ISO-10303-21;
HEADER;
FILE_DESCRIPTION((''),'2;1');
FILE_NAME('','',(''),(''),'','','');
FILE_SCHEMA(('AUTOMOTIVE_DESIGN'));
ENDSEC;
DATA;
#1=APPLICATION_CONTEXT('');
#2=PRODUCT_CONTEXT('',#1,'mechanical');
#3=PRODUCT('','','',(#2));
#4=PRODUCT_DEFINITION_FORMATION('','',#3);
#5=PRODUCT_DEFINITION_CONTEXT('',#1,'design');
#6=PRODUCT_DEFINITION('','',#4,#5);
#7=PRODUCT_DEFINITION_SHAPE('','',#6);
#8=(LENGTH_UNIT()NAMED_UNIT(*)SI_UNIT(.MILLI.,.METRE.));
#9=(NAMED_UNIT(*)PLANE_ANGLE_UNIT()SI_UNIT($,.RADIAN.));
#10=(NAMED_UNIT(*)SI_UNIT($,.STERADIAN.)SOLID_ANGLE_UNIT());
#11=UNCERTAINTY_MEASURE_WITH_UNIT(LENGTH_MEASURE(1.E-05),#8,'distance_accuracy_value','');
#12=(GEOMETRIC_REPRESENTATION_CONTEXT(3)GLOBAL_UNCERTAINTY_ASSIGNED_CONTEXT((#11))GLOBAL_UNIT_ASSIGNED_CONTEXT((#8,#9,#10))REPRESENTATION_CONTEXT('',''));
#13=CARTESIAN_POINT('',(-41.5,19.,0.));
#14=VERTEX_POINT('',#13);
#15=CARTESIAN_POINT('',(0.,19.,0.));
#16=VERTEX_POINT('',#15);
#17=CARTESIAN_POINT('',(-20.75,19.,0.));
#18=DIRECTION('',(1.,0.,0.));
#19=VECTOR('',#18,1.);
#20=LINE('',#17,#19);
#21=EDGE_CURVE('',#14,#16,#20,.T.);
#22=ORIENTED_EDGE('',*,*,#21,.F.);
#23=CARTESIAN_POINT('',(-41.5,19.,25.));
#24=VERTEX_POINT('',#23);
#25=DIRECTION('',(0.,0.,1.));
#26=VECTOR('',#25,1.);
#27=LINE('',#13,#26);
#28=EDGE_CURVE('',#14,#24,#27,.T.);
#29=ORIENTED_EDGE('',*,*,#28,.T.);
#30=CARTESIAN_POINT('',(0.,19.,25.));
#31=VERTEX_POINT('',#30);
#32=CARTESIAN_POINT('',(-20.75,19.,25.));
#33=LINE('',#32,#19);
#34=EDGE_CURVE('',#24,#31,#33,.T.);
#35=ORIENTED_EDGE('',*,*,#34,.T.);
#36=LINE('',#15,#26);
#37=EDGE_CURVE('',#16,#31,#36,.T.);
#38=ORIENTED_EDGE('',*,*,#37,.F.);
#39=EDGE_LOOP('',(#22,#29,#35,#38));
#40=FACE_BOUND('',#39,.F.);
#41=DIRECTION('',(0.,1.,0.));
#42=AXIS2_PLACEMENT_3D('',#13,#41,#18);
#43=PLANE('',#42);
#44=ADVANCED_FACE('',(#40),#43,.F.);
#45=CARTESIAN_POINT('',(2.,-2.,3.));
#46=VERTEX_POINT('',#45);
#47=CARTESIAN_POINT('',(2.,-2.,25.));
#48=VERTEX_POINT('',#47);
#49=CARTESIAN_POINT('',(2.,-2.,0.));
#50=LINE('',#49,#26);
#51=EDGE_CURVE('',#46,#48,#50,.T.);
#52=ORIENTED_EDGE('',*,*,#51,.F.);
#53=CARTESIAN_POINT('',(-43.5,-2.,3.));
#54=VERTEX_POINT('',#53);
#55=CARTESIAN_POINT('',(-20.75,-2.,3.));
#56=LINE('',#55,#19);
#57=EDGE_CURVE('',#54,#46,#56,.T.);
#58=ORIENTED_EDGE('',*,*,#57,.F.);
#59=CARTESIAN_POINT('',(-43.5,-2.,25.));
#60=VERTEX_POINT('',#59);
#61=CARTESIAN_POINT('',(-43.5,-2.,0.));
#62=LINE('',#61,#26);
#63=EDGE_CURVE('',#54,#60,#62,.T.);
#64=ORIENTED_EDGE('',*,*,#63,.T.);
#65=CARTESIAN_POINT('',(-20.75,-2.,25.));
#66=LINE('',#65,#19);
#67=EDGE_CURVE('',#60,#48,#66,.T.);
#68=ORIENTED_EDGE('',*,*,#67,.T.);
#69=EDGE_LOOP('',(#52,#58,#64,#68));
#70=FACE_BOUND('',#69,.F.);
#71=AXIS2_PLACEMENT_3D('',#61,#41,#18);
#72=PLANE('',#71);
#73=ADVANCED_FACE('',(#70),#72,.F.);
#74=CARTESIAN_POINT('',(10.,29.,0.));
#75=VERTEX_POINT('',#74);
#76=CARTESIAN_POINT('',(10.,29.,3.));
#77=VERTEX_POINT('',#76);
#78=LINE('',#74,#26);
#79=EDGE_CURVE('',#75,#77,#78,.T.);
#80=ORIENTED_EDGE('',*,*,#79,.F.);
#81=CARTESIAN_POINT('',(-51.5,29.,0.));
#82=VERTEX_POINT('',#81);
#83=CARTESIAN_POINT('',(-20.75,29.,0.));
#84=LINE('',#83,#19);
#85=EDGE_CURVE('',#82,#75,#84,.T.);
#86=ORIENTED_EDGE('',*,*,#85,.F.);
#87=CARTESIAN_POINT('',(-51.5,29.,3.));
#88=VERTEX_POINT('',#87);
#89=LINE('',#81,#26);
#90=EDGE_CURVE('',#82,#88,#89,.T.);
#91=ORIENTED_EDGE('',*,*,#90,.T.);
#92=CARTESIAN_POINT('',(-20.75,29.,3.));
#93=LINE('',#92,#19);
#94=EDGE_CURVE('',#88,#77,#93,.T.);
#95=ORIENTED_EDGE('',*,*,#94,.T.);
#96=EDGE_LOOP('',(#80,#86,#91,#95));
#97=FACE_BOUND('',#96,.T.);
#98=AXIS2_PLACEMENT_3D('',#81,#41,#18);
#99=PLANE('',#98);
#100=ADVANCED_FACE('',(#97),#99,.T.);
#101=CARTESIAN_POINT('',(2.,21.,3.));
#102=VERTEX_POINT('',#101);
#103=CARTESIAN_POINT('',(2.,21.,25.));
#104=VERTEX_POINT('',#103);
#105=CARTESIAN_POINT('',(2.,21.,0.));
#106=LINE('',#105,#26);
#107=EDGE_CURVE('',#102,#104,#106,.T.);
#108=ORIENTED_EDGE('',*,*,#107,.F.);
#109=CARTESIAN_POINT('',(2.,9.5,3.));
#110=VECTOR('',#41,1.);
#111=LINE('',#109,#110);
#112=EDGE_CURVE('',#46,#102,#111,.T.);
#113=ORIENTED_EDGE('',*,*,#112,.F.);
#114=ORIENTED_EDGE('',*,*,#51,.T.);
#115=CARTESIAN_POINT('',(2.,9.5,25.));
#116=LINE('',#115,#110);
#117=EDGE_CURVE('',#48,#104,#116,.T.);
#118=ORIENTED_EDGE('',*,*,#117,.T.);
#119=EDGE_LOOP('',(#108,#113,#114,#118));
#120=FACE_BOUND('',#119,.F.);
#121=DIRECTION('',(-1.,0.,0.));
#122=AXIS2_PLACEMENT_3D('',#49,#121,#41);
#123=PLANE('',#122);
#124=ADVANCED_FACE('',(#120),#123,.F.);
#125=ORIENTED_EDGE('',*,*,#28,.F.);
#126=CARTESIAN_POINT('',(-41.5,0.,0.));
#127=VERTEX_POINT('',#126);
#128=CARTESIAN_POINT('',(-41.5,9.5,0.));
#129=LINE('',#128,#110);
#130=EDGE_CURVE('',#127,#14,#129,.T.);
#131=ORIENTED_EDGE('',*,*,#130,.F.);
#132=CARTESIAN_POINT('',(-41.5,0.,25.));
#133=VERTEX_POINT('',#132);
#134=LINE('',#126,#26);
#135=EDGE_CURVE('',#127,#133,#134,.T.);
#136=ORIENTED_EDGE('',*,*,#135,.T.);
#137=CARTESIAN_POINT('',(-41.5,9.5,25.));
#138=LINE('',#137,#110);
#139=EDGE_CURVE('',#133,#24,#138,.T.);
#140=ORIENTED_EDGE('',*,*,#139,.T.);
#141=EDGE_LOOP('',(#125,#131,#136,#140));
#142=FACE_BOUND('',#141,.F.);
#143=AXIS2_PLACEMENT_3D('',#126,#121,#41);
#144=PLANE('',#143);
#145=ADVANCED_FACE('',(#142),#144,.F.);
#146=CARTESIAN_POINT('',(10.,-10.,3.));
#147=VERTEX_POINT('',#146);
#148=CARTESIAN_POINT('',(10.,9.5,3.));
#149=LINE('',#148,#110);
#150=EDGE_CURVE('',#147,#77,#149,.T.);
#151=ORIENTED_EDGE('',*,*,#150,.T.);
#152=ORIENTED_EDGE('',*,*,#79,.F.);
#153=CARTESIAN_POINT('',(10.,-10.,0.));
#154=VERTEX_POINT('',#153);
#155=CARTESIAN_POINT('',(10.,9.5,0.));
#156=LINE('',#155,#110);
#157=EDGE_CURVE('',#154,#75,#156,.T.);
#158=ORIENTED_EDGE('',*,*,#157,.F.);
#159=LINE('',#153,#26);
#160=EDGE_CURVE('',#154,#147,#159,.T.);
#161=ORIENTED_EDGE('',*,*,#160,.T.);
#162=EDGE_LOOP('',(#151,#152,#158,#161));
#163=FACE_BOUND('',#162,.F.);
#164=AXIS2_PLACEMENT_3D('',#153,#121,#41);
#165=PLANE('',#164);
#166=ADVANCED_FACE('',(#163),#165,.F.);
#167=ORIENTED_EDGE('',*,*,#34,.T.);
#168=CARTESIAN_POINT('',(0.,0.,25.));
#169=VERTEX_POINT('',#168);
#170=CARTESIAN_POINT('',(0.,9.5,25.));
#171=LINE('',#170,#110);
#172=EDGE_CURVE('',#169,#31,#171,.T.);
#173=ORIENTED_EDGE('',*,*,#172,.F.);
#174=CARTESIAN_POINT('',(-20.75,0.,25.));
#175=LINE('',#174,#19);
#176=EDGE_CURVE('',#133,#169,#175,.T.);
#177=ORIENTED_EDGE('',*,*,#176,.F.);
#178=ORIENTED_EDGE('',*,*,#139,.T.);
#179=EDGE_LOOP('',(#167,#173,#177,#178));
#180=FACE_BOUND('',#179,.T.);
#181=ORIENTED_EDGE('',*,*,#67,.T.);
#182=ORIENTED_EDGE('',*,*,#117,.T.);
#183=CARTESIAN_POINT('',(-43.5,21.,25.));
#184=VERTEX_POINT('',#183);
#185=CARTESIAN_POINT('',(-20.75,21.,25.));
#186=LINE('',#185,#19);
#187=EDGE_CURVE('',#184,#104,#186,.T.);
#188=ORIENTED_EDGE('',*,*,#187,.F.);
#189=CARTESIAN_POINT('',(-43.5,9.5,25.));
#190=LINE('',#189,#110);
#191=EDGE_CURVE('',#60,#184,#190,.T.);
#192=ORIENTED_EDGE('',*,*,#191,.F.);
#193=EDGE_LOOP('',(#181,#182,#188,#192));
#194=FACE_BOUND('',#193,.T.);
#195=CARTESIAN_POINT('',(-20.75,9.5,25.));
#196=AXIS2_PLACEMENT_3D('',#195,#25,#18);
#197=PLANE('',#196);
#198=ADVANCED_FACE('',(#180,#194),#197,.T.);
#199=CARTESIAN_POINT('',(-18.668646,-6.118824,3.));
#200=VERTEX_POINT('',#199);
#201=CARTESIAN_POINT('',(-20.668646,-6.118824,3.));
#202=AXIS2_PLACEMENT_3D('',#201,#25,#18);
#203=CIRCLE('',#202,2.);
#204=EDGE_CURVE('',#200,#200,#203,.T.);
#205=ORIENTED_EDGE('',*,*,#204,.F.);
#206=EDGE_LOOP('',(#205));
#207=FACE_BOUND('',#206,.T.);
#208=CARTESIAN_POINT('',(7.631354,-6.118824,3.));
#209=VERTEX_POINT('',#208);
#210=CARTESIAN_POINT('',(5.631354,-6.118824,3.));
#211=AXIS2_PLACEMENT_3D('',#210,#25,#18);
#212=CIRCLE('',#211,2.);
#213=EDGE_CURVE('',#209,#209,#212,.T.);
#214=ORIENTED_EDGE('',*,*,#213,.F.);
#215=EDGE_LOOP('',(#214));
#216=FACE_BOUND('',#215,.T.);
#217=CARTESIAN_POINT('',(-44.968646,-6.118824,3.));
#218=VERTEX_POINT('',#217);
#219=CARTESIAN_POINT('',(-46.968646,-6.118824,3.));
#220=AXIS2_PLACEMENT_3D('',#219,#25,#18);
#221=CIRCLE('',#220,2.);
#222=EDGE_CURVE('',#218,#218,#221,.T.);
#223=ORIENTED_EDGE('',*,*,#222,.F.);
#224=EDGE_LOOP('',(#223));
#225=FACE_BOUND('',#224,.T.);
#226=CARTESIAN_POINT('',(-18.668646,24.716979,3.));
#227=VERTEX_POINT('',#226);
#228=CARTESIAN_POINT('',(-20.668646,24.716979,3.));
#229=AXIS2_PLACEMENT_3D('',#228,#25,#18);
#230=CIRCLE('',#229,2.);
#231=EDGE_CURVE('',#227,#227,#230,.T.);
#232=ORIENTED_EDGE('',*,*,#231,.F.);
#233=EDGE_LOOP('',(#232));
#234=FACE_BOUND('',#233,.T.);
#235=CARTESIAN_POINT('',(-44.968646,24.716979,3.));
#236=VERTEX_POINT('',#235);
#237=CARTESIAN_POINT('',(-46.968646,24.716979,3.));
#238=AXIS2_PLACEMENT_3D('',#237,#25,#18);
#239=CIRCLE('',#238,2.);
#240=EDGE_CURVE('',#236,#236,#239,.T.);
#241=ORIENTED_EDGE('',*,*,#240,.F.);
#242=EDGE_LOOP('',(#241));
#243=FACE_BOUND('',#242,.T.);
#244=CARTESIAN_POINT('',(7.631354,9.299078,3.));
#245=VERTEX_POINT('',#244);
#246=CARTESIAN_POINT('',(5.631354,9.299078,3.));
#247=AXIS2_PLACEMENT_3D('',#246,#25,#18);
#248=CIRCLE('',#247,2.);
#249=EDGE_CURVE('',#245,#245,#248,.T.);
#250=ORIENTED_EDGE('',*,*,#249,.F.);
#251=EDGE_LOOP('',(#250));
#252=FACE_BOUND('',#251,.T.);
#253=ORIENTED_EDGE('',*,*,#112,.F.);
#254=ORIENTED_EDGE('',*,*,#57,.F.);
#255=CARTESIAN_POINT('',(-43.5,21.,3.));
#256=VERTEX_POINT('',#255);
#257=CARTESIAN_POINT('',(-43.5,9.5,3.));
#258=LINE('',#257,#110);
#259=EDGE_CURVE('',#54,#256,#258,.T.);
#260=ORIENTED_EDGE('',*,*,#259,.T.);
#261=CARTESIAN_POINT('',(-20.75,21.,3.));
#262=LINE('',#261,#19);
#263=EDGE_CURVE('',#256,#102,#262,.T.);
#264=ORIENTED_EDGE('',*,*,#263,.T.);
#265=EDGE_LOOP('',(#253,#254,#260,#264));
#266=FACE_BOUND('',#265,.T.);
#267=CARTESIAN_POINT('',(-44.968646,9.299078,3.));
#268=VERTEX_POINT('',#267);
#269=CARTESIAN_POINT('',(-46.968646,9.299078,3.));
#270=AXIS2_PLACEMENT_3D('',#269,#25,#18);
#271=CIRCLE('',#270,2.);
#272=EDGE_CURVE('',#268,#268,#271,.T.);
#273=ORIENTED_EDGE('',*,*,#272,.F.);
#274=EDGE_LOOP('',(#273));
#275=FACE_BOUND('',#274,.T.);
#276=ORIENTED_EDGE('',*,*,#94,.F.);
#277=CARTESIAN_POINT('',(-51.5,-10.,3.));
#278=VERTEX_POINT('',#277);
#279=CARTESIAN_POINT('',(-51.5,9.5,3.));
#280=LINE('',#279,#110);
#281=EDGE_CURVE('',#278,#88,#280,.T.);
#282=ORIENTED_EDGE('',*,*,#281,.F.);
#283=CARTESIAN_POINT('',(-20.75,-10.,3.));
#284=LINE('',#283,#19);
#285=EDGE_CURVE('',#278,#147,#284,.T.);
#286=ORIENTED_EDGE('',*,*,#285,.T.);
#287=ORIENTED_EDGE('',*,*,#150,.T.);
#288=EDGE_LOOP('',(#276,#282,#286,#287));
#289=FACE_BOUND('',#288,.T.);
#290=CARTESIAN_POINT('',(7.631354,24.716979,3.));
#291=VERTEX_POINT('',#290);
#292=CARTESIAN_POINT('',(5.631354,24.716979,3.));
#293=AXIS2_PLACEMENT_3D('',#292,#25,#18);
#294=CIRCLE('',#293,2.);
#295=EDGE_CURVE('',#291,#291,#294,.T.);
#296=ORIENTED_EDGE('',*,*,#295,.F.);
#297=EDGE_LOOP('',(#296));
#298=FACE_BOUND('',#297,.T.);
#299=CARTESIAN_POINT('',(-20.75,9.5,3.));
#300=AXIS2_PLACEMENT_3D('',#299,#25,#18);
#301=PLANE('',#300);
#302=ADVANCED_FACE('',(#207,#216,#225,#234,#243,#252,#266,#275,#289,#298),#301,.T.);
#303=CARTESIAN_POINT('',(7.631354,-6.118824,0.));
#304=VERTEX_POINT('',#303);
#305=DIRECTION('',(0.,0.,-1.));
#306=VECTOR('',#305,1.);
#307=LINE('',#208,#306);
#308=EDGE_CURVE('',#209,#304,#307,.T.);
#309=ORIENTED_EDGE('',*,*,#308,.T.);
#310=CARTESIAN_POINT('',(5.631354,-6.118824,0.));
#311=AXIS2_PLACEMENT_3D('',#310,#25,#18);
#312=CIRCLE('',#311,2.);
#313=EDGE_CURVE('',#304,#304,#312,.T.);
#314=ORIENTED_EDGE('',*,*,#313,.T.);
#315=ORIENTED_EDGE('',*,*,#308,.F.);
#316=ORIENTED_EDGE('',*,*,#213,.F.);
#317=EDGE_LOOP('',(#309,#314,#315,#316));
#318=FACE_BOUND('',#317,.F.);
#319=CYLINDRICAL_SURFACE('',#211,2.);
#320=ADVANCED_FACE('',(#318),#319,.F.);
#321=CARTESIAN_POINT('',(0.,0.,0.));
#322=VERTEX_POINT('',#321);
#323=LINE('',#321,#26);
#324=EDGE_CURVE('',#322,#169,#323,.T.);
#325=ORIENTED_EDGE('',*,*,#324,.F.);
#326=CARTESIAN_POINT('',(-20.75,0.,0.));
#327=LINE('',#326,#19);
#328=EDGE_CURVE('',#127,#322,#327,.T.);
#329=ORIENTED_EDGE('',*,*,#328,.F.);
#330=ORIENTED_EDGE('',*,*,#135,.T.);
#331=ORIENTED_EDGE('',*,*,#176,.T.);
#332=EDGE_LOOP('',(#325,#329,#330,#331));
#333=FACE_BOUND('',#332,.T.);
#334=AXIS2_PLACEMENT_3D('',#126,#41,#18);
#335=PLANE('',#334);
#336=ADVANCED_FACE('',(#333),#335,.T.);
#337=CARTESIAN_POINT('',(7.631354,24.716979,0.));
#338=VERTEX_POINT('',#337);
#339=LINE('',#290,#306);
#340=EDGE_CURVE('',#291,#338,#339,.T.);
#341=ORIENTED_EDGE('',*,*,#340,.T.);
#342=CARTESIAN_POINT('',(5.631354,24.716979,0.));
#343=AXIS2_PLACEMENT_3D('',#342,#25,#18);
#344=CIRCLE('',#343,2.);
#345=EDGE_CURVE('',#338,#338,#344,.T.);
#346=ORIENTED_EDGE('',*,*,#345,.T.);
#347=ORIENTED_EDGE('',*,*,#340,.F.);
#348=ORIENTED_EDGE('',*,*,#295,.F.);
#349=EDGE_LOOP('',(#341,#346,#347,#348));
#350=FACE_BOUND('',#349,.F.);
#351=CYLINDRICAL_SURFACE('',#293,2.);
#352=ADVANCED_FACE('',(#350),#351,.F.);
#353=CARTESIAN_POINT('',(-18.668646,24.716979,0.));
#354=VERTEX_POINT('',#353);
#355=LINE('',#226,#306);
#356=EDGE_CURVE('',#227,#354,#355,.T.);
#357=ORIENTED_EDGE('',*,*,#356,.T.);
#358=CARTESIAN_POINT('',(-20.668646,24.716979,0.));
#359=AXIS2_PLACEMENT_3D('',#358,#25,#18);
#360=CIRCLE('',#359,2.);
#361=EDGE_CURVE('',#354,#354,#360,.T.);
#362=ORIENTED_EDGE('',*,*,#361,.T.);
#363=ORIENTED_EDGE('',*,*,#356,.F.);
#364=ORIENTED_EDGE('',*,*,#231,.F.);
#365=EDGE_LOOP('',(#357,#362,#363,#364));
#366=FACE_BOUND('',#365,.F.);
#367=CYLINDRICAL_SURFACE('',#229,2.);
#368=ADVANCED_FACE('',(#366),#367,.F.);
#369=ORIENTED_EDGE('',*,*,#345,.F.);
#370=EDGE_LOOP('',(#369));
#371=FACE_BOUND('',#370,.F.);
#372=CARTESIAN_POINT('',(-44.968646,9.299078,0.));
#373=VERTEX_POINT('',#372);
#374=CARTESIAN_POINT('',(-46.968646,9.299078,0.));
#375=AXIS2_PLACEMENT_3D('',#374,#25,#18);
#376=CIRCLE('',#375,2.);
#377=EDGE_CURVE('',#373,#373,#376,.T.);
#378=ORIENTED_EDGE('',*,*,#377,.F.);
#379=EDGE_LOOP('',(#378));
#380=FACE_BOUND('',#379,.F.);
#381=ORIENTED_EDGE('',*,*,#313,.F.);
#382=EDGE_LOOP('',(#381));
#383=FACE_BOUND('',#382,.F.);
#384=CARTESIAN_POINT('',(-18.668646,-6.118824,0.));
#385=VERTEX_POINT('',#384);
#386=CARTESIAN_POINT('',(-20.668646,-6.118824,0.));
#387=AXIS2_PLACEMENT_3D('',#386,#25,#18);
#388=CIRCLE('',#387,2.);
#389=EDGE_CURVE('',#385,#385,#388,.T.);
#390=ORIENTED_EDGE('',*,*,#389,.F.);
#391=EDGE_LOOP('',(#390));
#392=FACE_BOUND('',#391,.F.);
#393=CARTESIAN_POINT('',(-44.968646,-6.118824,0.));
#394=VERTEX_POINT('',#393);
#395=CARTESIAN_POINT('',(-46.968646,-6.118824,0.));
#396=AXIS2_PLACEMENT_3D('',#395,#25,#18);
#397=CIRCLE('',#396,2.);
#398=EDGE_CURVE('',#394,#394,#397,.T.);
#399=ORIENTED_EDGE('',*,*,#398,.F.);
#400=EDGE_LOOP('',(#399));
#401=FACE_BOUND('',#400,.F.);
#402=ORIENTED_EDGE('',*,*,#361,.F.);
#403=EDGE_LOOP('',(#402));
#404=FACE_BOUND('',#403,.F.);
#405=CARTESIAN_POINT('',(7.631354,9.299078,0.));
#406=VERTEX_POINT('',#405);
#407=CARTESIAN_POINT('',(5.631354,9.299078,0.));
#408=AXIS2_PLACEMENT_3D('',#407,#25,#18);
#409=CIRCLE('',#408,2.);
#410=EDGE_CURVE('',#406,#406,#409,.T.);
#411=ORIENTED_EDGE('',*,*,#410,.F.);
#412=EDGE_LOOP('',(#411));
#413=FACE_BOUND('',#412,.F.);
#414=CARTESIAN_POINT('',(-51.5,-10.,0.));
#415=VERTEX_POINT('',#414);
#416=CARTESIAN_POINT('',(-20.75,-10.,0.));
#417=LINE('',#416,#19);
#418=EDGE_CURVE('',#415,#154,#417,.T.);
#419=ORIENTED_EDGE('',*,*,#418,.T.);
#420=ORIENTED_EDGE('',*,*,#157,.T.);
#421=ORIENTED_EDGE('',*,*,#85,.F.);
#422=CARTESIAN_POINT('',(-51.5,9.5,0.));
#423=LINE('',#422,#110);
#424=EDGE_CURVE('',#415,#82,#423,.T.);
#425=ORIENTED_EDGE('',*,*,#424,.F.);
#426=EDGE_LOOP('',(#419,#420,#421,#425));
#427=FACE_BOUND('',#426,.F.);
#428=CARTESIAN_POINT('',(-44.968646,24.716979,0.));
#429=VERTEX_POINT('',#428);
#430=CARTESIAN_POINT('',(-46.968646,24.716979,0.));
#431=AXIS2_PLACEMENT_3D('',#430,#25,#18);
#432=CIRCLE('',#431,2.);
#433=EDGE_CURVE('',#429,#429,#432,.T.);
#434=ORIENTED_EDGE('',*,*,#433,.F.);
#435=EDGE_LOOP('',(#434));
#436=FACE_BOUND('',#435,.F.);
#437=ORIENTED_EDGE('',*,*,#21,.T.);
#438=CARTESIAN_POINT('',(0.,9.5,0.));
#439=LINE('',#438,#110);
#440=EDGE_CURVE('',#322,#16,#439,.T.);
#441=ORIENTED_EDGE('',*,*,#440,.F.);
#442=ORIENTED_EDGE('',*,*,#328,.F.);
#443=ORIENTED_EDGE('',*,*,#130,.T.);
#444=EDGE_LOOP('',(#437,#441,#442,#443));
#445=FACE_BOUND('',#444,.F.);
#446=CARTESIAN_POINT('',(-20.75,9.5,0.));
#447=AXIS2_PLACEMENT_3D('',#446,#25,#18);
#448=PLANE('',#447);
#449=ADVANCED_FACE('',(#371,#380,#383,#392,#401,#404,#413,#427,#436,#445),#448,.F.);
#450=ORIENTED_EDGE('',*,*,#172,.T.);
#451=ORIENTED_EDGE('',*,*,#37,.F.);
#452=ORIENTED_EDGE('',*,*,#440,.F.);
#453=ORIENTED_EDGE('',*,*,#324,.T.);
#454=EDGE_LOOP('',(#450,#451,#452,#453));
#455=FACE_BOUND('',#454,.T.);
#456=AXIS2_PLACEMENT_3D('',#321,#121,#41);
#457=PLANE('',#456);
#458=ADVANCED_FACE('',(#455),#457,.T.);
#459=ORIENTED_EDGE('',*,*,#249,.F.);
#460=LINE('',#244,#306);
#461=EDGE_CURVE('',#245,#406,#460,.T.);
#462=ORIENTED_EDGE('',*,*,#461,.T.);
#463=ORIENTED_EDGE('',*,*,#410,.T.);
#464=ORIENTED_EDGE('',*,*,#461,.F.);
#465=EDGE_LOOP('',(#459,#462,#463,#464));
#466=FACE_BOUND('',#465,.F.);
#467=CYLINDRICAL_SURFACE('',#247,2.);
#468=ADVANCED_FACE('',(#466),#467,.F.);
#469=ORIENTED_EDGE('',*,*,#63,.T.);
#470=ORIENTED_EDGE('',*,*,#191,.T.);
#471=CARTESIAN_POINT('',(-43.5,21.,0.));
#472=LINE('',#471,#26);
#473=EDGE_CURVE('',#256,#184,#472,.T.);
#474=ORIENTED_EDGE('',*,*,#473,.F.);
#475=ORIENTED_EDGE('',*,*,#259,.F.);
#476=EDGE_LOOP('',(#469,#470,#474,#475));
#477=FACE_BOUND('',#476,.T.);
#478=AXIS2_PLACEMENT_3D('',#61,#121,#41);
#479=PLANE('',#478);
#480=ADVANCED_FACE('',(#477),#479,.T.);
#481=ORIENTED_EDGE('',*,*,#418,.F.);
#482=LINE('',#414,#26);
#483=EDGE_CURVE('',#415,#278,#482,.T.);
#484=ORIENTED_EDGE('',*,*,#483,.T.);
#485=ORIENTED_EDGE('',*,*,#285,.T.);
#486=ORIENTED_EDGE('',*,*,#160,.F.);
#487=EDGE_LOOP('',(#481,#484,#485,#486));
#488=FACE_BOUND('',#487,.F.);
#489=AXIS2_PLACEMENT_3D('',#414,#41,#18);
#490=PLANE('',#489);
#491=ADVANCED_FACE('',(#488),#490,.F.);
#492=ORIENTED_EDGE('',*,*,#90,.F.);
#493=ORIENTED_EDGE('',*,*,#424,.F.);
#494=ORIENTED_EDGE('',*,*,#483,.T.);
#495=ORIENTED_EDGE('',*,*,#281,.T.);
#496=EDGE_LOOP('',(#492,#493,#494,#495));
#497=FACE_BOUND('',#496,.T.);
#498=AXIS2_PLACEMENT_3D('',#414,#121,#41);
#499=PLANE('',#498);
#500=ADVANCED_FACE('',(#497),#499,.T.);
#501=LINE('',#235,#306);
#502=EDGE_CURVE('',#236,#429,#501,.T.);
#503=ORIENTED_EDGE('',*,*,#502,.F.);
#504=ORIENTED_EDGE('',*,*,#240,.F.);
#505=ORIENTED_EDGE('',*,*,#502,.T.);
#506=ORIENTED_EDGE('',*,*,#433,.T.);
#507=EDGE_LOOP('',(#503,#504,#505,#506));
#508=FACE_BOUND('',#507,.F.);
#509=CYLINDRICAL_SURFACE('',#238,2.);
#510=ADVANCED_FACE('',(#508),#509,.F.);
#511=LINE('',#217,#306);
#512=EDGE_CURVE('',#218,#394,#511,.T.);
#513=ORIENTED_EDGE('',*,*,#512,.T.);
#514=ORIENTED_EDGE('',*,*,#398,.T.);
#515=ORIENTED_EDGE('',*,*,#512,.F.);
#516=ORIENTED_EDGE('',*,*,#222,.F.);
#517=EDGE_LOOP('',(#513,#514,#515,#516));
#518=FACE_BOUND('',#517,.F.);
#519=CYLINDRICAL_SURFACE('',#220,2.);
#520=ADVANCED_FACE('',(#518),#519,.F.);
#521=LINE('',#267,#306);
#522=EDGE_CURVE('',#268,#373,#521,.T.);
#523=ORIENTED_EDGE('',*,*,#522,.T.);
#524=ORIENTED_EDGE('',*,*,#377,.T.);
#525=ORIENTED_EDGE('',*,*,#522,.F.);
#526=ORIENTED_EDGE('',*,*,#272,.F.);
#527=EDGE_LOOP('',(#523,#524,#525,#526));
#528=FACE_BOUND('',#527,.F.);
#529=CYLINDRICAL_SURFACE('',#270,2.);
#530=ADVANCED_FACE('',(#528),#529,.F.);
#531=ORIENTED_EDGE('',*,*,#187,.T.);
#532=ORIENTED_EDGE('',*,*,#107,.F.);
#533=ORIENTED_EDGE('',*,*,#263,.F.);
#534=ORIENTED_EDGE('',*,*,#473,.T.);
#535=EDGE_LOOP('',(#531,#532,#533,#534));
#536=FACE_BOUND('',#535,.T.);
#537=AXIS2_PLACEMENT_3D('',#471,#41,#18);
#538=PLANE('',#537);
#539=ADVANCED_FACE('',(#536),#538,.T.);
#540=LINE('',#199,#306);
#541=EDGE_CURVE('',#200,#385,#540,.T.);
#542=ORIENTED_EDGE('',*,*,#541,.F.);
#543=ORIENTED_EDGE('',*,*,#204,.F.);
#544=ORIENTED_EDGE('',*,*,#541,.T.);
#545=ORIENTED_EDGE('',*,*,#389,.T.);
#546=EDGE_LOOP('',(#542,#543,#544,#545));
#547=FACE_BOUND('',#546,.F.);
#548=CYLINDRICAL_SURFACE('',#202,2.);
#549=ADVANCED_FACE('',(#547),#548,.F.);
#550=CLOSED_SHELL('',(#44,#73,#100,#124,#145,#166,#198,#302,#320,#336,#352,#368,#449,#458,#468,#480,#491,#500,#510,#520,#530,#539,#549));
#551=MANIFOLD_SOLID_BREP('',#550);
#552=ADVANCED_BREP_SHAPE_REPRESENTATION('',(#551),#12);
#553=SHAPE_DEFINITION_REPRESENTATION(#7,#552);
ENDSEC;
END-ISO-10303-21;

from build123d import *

# Parameters (mm, degrees)
F0_W     = 45.5
F0_H     = 23
F0_W_2   = 41.5
F0_H_2   = 19
F1_DEPTH = 25
F0_W_3   = 61.5
F0_H_3   = 39
F2_DEPTH = 3
F3_R     = 2
F4_DEPTH = 3.001


with BuildPart() as f1:
    # F0 (on Top) → F1 (new body)
    with BuildSketch(Plane.XY):
        with Locations((-20.75, 9.5)):
            Rectangle(F0_W, F0_H)
        with Locations((-20.75, 9.5)):
            Rectangle(F0_W_2, F0_H_2, mode=Mode.SUBTRACT)
    extrude(amount=F1_DEPTH)

    # F0 (on Top) → F2 (join)
    with BuildSketch(Plane.XY):
        with Locations((-20.75, 9.5)):
            Rectangle(F0_W_3, F0_H_3)
        with Locations((-20.75, 9.5)):
            Rectangle(F0_W, F0_H, mode=Mode.SUBTRACT)
    extrude(amount=F2_DEPTH)

    # F3 (on face) → F4 (cut, through all)
    with BuildSketch(Plane.XY.offset(3)):
        with Locations((-46.968646, 24.716979)):
            Circle(F3_R)
        with Locations((-20.668646, 24.716979)):
            Circle(F3_R)
        with Locations((5.631354, 24.716979)):
            Circle(F3_R)
        with Locations((-46.968646, 9.299078)):
            Circle(F3_R)
        with Locations((5.631354, 9.299078)):
            Circle(F3_R)
        with Locations((-46.968646, -6.118824)):
            Circle(F3_R)
        with Locations((-20.668646, -6.118824)):
            Circle(F3_R)
        with Locations((5.631354, -6.118824)):
            Circle(F3_R)
    extrude(amount=-F4_DEPTH, mode=Mode.SUBTRACT)


solid = f1.part
